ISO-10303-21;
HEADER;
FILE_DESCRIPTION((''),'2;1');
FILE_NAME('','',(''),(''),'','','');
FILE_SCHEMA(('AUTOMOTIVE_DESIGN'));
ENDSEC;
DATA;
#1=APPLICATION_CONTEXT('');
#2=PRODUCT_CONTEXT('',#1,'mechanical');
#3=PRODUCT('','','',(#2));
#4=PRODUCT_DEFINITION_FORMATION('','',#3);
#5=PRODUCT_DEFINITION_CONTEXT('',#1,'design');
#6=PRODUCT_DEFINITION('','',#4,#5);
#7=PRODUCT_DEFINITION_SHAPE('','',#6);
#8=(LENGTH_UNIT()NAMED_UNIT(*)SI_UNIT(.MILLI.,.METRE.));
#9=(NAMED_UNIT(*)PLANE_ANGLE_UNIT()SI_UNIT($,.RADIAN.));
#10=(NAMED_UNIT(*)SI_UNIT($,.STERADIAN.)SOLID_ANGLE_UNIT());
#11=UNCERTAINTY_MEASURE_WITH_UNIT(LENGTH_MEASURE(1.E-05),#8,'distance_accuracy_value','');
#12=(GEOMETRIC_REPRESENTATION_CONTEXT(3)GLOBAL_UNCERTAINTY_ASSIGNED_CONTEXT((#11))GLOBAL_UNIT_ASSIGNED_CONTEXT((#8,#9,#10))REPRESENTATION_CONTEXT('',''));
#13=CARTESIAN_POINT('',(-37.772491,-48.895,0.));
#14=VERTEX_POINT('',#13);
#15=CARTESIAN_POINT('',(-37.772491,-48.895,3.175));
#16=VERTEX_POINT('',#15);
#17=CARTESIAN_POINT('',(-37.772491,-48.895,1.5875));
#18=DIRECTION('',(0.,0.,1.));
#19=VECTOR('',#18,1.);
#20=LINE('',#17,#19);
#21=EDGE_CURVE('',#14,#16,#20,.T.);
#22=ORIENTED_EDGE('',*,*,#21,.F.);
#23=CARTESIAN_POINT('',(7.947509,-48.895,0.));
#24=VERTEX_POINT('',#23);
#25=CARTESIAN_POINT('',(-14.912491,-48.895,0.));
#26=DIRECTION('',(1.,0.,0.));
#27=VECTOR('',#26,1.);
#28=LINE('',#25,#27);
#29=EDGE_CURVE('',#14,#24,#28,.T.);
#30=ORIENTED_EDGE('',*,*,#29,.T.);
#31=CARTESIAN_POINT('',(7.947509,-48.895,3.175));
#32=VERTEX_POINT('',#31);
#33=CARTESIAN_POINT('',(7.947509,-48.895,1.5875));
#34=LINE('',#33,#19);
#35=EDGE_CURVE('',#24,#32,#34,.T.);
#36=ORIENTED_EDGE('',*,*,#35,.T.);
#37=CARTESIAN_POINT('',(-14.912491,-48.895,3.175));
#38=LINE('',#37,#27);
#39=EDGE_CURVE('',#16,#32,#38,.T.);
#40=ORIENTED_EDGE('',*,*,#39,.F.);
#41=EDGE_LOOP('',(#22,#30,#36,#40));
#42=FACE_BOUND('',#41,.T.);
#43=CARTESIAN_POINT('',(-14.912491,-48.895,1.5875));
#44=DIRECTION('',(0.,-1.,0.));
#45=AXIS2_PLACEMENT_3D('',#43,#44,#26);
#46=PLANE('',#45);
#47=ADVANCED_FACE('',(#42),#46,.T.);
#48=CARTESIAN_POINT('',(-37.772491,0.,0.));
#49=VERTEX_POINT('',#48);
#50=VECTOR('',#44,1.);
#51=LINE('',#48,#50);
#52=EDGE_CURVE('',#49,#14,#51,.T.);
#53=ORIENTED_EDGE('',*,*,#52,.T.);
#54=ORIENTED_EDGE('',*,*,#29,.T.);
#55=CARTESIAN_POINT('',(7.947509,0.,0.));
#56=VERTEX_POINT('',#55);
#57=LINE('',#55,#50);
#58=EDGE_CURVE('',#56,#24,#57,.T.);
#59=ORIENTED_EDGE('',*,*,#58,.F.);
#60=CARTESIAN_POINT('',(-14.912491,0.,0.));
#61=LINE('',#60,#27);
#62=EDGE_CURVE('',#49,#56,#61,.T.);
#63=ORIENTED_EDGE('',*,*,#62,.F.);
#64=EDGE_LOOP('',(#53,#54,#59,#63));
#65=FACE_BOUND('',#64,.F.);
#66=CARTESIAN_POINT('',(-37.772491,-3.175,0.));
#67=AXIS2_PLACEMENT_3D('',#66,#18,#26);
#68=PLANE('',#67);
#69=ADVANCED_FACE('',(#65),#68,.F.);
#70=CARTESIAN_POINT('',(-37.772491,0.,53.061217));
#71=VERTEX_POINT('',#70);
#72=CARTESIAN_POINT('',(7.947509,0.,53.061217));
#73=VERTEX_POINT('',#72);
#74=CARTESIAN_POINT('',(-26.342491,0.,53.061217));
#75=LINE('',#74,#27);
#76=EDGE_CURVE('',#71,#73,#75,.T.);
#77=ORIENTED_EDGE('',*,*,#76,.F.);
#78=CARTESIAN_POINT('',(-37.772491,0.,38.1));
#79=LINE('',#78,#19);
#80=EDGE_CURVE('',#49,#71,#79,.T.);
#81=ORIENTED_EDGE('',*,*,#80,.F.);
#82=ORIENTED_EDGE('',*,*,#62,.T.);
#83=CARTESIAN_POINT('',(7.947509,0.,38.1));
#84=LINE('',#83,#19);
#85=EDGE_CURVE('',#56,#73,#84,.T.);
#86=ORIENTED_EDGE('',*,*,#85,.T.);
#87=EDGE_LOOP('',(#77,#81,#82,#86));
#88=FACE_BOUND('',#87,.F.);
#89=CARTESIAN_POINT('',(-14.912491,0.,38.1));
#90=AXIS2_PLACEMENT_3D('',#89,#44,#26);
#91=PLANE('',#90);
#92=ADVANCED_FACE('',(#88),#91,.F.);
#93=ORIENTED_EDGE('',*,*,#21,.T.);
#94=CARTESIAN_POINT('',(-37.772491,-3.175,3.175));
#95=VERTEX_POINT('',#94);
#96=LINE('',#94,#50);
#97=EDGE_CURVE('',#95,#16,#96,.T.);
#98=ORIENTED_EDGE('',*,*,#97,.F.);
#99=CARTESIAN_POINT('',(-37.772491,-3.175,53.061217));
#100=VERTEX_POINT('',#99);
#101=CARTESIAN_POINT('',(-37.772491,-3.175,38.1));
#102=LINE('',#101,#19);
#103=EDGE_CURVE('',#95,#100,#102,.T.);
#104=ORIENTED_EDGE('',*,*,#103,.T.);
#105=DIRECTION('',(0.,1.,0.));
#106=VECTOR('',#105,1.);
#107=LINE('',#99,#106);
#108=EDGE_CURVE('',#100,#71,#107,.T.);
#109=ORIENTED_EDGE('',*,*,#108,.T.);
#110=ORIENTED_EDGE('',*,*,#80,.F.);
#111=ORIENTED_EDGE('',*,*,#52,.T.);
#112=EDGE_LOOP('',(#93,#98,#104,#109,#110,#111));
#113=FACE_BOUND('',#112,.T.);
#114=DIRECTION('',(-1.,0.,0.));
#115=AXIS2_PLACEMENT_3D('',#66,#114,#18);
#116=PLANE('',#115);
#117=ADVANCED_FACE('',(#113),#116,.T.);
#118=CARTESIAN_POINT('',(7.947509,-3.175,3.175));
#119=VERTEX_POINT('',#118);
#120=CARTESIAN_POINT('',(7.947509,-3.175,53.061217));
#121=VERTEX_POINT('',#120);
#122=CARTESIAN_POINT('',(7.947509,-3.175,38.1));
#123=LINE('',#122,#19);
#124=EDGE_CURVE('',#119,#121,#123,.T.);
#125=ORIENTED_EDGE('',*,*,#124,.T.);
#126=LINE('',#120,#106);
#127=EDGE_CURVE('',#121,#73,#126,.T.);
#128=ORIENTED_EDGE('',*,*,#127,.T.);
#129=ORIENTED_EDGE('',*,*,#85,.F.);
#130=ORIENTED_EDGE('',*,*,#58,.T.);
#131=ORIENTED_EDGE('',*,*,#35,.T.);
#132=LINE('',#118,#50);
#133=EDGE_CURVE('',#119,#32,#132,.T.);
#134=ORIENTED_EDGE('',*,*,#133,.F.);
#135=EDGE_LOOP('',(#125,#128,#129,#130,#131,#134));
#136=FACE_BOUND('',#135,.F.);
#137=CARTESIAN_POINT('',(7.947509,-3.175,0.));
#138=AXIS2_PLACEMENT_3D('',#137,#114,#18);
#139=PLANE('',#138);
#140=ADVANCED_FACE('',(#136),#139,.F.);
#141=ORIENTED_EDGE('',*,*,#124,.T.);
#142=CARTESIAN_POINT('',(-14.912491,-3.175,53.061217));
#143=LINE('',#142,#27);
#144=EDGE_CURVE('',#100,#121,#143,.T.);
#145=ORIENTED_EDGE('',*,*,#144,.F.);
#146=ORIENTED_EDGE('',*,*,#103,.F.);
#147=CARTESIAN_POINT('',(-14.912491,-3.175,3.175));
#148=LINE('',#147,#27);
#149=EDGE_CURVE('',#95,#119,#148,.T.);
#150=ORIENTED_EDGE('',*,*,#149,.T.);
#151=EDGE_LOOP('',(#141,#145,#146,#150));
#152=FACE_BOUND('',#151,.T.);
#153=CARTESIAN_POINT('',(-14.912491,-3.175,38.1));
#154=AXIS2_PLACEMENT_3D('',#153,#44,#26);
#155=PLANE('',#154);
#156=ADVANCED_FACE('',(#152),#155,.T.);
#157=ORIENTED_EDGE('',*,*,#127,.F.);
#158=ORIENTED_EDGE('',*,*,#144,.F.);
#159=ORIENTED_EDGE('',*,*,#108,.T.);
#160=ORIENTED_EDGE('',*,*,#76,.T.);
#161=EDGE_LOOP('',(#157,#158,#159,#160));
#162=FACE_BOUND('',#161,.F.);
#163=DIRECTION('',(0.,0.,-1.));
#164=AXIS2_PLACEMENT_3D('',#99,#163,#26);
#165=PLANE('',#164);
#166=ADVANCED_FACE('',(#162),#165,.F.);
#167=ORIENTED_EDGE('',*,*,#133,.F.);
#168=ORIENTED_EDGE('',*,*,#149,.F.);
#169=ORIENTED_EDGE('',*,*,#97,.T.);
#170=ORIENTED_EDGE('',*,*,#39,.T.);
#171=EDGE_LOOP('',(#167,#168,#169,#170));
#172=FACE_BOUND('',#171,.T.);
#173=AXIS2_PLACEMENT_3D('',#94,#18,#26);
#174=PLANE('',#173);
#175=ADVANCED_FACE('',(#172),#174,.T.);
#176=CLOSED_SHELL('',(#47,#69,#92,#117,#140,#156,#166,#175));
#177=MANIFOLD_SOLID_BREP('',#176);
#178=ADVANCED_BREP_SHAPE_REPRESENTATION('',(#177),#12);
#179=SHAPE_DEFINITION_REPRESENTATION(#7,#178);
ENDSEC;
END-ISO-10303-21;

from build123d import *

# Parameters (mm, degrees)
F0_W     = 45.72
F0_H     = 76.2
F1_DEPTH = 3.175
F2_W     = 45.72
F2_H     = 3.175
F3_DEPTH = 45.72
F4_W     = 45.72
F4_H     = 11.801704
F4_H_2   = 11.337079
F5_DEPTH = 25.4


with BuildPart() as f1:
    # F0 (on Front) → F1 (new body)
    with BuildSketch(Plane.XZ):
        with Locations((-14.912491, 38.1)):
            Rectangle(F0_W, F0_H)
    extrude(amount=F1_DEPTH)

    # F2 (on face) → F3 (join)
    with BuildSketch(Plane.XZ.offset(3.175)):
        with Locations((-14.912491, 1.5875)):
            Rectangle(F2_W, F2_H)
    extrude(amount=F3_DEPTH)

    # F4 (on face) → F5 (cut)
    with BuildSketch(Plane.XZ.offset(3.175)):
        with Locations((-14.912491, 70.299148)):
            Rectangle(F4_W, F4_H)
        with Locations((-14.912491, 58.729757)):
            Rectangle(F4_W, F4_H_2)
    extrude(amount=-F5_DEPTH, mode=Mode.SUBTRACT)


solid = f1.part
